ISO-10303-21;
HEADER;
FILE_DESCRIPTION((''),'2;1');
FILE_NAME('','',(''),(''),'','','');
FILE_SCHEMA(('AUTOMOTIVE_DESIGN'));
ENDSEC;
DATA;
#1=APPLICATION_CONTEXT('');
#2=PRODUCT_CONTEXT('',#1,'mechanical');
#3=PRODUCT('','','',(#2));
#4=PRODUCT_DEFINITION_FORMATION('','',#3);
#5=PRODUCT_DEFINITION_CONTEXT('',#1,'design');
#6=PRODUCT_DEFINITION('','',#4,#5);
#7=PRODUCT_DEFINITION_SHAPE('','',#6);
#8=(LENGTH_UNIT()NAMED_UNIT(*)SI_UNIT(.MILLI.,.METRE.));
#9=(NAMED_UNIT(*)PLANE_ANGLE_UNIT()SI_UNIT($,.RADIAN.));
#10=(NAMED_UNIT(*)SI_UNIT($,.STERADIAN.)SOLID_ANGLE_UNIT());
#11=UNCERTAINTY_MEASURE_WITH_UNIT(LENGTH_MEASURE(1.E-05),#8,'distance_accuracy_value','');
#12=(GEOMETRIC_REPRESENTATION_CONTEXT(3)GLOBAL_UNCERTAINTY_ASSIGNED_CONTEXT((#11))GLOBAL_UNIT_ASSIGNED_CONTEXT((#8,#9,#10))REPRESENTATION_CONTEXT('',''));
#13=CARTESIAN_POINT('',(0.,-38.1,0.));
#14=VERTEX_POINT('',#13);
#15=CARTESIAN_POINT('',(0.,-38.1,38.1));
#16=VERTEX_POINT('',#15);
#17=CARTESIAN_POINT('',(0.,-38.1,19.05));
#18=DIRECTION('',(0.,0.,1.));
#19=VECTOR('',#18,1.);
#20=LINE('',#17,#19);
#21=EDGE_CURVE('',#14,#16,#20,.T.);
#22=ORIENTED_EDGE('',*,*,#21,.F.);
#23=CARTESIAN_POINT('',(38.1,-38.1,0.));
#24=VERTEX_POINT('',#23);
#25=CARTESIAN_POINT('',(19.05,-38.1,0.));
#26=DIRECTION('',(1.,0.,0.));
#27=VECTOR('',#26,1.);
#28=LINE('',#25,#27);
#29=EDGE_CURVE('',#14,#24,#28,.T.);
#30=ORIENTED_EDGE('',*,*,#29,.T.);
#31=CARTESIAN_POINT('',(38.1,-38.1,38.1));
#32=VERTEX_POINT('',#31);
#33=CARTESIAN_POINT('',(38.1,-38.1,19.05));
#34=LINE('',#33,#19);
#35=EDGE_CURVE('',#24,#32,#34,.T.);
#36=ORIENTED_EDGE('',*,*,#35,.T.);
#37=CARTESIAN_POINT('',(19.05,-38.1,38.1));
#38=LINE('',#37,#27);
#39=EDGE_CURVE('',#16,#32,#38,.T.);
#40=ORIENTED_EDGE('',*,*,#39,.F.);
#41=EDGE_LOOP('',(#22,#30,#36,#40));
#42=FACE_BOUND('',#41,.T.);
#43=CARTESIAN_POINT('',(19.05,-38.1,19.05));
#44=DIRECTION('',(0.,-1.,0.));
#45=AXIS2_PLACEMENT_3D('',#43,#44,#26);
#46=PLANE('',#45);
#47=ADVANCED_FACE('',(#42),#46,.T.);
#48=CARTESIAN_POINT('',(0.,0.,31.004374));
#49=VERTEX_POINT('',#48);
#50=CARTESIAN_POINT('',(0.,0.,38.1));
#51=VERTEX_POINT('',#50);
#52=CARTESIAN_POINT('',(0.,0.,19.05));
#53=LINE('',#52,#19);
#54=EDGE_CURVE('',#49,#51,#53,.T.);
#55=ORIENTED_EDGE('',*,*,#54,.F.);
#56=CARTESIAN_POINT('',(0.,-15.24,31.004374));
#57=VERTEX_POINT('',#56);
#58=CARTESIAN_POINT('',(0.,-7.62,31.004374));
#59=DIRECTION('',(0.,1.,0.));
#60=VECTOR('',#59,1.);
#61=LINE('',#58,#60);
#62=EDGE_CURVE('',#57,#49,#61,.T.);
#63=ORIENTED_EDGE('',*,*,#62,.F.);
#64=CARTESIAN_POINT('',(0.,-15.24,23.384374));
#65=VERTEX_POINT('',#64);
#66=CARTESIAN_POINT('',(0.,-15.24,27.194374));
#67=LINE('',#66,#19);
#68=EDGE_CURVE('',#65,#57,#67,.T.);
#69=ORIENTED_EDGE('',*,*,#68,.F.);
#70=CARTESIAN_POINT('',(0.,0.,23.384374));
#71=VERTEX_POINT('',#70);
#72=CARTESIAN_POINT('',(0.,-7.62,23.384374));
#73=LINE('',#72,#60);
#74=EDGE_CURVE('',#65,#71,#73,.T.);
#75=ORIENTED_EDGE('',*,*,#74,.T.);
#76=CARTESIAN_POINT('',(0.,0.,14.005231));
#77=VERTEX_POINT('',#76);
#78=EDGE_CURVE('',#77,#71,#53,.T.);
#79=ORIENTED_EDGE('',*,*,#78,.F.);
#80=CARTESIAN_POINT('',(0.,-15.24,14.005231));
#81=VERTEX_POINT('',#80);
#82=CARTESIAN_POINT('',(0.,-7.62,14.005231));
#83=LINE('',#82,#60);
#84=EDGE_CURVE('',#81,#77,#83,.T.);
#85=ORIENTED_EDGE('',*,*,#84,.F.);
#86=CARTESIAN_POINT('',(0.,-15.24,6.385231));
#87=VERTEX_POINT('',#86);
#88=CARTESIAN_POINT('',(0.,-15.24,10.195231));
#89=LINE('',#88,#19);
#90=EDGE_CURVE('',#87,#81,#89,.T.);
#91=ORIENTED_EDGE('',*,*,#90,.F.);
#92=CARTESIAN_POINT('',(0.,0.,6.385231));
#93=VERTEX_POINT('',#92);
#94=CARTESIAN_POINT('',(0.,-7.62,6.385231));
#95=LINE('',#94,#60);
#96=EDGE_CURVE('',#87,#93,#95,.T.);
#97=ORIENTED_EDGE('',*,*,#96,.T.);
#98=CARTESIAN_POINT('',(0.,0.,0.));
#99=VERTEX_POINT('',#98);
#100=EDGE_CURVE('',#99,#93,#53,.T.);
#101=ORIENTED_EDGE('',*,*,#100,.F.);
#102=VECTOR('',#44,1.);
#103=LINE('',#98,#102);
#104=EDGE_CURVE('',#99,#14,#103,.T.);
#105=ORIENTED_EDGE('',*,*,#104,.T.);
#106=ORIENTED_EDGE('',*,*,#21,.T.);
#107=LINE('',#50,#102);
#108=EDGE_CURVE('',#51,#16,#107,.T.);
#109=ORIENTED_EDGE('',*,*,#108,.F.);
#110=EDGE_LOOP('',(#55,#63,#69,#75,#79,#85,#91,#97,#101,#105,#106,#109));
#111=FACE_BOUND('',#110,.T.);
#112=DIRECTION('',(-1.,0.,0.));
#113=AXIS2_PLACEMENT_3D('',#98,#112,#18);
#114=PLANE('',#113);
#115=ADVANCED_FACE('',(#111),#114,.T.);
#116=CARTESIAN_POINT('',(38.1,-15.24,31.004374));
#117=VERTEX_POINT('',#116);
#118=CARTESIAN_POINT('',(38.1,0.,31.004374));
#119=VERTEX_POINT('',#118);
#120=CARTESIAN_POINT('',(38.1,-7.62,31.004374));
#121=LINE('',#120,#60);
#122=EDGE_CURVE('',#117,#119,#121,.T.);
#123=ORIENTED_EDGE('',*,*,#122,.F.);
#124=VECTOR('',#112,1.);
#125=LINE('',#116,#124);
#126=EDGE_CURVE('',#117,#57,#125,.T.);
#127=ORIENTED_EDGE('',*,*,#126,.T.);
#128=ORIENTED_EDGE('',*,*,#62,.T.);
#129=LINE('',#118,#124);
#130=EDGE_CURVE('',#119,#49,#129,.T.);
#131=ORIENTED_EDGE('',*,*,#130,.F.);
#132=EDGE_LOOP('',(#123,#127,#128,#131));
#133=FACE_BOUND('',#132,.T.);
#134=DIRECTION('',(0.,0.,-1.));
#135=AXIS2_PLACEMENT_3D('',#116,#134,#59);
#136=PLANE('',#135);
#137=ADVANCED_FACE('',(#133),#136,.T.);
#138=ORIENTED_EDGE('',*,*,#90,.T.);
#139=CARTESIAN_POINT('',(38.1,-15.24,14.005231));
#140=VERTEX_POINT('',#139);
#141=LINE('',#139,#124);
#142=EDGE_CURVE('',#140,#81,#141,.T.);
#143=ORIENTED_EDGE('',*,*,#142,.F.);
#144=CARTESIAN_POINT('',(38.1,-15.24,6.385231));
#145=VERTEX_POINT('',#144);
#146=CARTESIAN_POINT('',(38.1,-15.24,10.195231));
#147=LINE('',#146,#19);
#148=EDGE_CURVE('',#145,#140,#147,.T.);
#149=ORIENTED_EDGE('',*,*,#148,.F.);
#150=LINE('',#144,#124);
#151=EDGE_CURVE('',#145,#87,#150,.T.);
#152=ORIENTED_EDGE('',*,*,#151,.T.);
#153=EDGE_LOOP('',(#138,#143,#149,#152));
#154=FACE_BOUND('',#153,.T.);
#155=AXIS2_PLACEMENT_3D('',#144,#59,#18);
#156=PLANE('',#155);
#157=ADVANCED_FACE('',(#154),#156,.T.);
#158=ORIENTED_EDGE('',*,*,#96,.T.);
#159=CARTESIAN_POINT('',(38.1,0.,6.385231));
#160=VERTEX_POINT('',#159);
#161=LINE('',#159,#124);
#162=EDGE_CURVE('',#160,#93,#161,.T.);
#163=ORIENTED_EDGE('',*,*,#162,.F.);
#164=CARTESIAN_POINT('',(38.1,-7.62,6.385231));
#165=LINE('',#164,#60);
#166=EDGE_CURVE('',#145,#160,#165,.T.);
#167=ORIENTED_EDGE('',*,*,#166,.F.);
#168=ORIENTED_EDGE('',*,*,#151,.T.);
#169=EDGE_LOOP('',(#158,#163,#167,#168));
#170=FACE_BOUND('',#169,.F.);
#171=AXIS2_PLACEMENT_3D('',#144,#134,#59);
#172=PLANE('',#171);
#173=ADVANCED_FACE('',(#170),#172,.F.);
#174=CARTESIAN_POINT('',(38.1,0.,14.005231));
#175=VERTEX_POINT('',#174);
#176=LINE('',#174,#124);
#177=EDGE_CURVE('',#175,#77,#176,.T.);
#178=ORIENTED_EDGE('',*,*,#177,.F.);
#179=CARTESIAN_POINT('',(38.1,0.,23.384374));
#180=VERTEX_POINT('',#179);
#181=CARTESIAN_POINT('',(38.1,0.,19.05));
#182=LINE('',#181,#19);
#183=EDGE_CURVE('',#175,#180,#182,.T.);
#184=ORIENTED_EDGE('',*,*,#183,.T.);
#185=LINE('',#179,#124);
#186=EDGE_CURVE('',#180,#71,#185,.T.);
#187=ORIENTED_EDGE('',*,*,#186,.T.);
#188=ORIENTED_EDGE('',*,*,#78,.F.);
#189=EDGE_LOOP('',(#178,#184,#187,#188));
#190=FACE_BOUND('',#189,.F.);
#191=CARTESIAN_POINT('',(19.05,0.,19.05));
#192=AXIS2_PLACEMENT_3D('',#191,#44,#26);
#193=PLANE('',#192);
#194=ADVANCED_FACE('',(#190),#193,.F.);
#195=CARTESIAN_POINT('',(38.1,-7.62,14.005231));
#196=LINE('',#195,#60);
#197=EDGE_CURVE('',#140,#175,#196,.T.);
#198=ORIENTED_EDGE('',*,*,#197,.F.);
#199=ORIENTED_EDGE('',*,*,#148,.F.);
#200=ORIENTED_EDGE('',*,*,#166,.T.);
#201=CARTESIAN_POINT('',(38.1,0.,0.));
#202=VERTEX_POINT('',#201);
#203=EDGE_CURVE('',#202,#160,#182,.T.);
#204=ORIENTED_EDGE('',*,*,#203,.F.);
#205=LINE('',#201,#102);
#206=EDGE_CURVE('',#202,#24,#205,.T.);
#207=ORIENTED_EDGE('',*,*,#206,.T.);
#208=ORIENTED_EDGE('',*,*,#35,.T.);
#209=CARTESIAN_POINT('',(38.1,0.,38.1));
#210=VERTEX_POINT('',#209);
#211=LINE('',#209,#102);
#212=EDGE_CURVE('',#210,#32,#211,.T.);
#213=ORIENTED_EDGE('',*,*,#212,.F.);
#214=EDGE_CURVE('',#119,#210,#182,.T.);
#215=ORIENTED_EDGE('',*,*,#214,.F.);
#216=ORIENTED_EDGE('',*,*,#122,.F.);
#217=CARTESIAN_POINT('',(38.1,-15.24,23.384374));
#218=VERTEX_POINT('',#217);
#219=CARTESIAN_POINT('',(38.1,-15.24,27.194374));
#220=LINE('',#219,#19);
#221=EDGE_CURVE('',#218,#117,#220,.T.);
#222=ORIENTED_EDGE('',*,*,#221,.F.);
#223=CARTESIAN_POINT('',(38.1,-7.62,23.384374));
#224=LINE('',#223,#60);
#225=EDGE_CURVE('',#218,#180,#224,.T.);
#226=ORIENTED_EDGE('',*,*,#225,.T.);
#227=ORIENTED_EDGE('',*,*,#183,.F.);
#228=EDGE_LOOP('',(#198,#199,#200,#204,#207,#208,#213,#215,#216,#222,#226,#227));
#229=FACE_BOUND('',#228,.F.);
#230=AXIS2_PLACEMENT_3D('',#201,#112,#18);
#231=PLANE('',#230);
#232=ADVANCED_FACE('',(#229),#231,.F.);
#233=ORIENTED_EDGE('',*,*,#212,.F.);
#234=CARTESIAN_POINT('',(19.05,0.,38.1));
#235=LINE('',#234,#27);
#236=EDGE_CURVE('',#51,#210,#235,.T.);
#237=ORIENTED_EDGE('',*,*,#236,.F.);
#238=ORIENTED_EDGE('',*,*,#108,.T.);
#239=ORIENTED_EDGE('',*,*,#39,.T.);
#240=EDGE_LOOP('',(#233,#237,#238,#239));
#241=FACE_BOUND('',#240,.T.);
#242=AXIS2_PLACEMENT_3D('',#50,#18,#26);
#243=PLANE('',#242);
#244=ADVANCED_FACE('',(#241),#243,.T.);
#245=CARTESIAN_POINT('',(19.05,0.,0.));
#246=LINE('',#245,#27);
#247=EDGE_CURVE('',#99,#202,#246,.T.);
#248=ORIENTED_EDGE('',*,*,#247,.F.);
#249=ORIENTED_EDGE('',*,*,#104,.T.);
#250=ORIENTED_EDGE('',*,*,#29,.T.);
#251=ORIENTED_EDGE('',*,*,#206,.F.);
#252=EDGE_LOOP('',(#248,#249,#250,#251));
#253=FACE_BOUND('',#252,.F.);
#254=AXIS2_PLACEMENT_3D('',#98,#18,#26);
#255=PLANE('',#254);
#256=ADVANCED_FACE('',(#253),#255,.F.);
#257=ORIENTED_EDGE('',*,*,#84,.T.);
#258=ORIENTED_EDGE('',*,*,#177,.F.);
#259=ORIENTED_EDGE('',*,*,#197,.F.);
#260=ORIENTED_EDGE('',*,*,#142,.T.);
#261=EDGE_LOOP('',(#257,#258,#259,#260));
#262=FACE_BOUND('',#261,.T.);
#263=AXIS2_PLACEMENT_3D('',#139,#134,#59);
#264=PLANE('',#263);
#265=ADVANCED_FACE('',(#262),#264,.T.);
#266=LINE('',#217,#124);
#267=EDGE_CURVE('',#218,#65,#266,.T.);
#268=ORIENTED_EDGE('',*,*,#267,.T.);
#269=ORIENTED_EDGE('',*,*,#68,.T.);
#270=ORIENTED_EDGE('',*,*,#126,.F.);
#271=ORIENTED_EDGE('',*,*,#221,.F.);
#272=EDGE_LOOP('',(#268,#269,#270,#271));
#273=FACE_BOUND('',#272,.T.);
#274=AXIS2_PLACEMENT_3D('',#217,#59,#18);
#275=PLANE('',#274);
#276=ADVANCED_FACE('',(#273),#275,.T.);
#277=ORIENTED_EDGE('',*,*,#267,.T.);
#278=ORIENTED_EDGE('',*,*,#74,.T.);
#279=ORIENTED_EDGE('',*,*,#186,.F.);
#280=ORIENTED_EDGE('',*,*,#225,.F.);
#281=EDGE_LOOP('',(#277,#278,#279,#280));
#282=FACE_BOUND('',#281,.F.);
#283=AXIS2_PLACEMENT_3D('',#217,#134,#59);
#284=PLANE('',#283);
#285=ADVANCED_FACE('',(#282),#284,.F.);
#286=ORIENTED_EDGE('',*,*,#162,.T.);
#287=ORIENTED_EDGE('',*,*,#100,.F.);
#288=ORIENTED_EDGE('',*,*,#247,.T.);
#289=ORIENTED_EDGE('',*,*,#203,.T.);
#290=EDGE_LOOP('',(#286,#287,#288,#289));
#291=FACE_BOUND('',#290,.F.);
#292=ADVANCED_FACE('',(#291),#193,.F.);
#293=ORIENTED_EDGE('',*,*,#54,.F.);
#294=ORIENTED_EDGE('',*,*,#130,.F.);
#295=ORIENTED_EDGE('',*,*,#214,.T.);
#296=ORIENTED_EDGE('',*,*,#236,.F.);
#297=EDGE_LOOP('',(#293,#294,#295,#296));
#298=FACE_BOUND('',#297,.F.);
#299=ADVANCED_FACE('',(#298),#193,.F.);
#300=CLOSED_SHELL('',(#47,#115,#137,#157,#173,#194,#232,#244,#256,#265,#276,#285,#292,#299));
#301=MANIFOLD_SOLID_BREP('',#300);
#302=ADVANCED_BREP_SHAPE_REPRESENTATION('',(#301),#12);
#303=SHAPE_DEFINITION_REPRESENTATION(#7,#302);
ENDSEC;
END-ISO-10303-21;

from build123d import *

# Parameters (mm, degrees)
F0_W     = 38.1
F0_H     = 38.1
F1_DEPTH = 38.1
F3_W     = 15.24
F3_H     = 7.62
F4_DEPTH = 38.1


with BuildPart() as f1:
    # F0 (on Front) → F1 (new body)
    with BuildSketch(Plane.XZ):
        with Locations((19.05, 19.05)):
            Rectangle(F0_W, F0_H)
    extrude(amount=F1_DEPTH)

    # F3 (on offset) → F4 (cut)
    with BuildSketch(Plane.YZ.offset(38.1)):
        with Locations((-7.62, 27.194374)):
            Rectangle(F3_W, F3_H)
        with Locations((-7.62, 10.195231)):
            Rectangle(F3_W, F3_H)
    extrude(amount=-F4_DEPTH, mode=Mode.SUBTRACT)


solid = f1.part
